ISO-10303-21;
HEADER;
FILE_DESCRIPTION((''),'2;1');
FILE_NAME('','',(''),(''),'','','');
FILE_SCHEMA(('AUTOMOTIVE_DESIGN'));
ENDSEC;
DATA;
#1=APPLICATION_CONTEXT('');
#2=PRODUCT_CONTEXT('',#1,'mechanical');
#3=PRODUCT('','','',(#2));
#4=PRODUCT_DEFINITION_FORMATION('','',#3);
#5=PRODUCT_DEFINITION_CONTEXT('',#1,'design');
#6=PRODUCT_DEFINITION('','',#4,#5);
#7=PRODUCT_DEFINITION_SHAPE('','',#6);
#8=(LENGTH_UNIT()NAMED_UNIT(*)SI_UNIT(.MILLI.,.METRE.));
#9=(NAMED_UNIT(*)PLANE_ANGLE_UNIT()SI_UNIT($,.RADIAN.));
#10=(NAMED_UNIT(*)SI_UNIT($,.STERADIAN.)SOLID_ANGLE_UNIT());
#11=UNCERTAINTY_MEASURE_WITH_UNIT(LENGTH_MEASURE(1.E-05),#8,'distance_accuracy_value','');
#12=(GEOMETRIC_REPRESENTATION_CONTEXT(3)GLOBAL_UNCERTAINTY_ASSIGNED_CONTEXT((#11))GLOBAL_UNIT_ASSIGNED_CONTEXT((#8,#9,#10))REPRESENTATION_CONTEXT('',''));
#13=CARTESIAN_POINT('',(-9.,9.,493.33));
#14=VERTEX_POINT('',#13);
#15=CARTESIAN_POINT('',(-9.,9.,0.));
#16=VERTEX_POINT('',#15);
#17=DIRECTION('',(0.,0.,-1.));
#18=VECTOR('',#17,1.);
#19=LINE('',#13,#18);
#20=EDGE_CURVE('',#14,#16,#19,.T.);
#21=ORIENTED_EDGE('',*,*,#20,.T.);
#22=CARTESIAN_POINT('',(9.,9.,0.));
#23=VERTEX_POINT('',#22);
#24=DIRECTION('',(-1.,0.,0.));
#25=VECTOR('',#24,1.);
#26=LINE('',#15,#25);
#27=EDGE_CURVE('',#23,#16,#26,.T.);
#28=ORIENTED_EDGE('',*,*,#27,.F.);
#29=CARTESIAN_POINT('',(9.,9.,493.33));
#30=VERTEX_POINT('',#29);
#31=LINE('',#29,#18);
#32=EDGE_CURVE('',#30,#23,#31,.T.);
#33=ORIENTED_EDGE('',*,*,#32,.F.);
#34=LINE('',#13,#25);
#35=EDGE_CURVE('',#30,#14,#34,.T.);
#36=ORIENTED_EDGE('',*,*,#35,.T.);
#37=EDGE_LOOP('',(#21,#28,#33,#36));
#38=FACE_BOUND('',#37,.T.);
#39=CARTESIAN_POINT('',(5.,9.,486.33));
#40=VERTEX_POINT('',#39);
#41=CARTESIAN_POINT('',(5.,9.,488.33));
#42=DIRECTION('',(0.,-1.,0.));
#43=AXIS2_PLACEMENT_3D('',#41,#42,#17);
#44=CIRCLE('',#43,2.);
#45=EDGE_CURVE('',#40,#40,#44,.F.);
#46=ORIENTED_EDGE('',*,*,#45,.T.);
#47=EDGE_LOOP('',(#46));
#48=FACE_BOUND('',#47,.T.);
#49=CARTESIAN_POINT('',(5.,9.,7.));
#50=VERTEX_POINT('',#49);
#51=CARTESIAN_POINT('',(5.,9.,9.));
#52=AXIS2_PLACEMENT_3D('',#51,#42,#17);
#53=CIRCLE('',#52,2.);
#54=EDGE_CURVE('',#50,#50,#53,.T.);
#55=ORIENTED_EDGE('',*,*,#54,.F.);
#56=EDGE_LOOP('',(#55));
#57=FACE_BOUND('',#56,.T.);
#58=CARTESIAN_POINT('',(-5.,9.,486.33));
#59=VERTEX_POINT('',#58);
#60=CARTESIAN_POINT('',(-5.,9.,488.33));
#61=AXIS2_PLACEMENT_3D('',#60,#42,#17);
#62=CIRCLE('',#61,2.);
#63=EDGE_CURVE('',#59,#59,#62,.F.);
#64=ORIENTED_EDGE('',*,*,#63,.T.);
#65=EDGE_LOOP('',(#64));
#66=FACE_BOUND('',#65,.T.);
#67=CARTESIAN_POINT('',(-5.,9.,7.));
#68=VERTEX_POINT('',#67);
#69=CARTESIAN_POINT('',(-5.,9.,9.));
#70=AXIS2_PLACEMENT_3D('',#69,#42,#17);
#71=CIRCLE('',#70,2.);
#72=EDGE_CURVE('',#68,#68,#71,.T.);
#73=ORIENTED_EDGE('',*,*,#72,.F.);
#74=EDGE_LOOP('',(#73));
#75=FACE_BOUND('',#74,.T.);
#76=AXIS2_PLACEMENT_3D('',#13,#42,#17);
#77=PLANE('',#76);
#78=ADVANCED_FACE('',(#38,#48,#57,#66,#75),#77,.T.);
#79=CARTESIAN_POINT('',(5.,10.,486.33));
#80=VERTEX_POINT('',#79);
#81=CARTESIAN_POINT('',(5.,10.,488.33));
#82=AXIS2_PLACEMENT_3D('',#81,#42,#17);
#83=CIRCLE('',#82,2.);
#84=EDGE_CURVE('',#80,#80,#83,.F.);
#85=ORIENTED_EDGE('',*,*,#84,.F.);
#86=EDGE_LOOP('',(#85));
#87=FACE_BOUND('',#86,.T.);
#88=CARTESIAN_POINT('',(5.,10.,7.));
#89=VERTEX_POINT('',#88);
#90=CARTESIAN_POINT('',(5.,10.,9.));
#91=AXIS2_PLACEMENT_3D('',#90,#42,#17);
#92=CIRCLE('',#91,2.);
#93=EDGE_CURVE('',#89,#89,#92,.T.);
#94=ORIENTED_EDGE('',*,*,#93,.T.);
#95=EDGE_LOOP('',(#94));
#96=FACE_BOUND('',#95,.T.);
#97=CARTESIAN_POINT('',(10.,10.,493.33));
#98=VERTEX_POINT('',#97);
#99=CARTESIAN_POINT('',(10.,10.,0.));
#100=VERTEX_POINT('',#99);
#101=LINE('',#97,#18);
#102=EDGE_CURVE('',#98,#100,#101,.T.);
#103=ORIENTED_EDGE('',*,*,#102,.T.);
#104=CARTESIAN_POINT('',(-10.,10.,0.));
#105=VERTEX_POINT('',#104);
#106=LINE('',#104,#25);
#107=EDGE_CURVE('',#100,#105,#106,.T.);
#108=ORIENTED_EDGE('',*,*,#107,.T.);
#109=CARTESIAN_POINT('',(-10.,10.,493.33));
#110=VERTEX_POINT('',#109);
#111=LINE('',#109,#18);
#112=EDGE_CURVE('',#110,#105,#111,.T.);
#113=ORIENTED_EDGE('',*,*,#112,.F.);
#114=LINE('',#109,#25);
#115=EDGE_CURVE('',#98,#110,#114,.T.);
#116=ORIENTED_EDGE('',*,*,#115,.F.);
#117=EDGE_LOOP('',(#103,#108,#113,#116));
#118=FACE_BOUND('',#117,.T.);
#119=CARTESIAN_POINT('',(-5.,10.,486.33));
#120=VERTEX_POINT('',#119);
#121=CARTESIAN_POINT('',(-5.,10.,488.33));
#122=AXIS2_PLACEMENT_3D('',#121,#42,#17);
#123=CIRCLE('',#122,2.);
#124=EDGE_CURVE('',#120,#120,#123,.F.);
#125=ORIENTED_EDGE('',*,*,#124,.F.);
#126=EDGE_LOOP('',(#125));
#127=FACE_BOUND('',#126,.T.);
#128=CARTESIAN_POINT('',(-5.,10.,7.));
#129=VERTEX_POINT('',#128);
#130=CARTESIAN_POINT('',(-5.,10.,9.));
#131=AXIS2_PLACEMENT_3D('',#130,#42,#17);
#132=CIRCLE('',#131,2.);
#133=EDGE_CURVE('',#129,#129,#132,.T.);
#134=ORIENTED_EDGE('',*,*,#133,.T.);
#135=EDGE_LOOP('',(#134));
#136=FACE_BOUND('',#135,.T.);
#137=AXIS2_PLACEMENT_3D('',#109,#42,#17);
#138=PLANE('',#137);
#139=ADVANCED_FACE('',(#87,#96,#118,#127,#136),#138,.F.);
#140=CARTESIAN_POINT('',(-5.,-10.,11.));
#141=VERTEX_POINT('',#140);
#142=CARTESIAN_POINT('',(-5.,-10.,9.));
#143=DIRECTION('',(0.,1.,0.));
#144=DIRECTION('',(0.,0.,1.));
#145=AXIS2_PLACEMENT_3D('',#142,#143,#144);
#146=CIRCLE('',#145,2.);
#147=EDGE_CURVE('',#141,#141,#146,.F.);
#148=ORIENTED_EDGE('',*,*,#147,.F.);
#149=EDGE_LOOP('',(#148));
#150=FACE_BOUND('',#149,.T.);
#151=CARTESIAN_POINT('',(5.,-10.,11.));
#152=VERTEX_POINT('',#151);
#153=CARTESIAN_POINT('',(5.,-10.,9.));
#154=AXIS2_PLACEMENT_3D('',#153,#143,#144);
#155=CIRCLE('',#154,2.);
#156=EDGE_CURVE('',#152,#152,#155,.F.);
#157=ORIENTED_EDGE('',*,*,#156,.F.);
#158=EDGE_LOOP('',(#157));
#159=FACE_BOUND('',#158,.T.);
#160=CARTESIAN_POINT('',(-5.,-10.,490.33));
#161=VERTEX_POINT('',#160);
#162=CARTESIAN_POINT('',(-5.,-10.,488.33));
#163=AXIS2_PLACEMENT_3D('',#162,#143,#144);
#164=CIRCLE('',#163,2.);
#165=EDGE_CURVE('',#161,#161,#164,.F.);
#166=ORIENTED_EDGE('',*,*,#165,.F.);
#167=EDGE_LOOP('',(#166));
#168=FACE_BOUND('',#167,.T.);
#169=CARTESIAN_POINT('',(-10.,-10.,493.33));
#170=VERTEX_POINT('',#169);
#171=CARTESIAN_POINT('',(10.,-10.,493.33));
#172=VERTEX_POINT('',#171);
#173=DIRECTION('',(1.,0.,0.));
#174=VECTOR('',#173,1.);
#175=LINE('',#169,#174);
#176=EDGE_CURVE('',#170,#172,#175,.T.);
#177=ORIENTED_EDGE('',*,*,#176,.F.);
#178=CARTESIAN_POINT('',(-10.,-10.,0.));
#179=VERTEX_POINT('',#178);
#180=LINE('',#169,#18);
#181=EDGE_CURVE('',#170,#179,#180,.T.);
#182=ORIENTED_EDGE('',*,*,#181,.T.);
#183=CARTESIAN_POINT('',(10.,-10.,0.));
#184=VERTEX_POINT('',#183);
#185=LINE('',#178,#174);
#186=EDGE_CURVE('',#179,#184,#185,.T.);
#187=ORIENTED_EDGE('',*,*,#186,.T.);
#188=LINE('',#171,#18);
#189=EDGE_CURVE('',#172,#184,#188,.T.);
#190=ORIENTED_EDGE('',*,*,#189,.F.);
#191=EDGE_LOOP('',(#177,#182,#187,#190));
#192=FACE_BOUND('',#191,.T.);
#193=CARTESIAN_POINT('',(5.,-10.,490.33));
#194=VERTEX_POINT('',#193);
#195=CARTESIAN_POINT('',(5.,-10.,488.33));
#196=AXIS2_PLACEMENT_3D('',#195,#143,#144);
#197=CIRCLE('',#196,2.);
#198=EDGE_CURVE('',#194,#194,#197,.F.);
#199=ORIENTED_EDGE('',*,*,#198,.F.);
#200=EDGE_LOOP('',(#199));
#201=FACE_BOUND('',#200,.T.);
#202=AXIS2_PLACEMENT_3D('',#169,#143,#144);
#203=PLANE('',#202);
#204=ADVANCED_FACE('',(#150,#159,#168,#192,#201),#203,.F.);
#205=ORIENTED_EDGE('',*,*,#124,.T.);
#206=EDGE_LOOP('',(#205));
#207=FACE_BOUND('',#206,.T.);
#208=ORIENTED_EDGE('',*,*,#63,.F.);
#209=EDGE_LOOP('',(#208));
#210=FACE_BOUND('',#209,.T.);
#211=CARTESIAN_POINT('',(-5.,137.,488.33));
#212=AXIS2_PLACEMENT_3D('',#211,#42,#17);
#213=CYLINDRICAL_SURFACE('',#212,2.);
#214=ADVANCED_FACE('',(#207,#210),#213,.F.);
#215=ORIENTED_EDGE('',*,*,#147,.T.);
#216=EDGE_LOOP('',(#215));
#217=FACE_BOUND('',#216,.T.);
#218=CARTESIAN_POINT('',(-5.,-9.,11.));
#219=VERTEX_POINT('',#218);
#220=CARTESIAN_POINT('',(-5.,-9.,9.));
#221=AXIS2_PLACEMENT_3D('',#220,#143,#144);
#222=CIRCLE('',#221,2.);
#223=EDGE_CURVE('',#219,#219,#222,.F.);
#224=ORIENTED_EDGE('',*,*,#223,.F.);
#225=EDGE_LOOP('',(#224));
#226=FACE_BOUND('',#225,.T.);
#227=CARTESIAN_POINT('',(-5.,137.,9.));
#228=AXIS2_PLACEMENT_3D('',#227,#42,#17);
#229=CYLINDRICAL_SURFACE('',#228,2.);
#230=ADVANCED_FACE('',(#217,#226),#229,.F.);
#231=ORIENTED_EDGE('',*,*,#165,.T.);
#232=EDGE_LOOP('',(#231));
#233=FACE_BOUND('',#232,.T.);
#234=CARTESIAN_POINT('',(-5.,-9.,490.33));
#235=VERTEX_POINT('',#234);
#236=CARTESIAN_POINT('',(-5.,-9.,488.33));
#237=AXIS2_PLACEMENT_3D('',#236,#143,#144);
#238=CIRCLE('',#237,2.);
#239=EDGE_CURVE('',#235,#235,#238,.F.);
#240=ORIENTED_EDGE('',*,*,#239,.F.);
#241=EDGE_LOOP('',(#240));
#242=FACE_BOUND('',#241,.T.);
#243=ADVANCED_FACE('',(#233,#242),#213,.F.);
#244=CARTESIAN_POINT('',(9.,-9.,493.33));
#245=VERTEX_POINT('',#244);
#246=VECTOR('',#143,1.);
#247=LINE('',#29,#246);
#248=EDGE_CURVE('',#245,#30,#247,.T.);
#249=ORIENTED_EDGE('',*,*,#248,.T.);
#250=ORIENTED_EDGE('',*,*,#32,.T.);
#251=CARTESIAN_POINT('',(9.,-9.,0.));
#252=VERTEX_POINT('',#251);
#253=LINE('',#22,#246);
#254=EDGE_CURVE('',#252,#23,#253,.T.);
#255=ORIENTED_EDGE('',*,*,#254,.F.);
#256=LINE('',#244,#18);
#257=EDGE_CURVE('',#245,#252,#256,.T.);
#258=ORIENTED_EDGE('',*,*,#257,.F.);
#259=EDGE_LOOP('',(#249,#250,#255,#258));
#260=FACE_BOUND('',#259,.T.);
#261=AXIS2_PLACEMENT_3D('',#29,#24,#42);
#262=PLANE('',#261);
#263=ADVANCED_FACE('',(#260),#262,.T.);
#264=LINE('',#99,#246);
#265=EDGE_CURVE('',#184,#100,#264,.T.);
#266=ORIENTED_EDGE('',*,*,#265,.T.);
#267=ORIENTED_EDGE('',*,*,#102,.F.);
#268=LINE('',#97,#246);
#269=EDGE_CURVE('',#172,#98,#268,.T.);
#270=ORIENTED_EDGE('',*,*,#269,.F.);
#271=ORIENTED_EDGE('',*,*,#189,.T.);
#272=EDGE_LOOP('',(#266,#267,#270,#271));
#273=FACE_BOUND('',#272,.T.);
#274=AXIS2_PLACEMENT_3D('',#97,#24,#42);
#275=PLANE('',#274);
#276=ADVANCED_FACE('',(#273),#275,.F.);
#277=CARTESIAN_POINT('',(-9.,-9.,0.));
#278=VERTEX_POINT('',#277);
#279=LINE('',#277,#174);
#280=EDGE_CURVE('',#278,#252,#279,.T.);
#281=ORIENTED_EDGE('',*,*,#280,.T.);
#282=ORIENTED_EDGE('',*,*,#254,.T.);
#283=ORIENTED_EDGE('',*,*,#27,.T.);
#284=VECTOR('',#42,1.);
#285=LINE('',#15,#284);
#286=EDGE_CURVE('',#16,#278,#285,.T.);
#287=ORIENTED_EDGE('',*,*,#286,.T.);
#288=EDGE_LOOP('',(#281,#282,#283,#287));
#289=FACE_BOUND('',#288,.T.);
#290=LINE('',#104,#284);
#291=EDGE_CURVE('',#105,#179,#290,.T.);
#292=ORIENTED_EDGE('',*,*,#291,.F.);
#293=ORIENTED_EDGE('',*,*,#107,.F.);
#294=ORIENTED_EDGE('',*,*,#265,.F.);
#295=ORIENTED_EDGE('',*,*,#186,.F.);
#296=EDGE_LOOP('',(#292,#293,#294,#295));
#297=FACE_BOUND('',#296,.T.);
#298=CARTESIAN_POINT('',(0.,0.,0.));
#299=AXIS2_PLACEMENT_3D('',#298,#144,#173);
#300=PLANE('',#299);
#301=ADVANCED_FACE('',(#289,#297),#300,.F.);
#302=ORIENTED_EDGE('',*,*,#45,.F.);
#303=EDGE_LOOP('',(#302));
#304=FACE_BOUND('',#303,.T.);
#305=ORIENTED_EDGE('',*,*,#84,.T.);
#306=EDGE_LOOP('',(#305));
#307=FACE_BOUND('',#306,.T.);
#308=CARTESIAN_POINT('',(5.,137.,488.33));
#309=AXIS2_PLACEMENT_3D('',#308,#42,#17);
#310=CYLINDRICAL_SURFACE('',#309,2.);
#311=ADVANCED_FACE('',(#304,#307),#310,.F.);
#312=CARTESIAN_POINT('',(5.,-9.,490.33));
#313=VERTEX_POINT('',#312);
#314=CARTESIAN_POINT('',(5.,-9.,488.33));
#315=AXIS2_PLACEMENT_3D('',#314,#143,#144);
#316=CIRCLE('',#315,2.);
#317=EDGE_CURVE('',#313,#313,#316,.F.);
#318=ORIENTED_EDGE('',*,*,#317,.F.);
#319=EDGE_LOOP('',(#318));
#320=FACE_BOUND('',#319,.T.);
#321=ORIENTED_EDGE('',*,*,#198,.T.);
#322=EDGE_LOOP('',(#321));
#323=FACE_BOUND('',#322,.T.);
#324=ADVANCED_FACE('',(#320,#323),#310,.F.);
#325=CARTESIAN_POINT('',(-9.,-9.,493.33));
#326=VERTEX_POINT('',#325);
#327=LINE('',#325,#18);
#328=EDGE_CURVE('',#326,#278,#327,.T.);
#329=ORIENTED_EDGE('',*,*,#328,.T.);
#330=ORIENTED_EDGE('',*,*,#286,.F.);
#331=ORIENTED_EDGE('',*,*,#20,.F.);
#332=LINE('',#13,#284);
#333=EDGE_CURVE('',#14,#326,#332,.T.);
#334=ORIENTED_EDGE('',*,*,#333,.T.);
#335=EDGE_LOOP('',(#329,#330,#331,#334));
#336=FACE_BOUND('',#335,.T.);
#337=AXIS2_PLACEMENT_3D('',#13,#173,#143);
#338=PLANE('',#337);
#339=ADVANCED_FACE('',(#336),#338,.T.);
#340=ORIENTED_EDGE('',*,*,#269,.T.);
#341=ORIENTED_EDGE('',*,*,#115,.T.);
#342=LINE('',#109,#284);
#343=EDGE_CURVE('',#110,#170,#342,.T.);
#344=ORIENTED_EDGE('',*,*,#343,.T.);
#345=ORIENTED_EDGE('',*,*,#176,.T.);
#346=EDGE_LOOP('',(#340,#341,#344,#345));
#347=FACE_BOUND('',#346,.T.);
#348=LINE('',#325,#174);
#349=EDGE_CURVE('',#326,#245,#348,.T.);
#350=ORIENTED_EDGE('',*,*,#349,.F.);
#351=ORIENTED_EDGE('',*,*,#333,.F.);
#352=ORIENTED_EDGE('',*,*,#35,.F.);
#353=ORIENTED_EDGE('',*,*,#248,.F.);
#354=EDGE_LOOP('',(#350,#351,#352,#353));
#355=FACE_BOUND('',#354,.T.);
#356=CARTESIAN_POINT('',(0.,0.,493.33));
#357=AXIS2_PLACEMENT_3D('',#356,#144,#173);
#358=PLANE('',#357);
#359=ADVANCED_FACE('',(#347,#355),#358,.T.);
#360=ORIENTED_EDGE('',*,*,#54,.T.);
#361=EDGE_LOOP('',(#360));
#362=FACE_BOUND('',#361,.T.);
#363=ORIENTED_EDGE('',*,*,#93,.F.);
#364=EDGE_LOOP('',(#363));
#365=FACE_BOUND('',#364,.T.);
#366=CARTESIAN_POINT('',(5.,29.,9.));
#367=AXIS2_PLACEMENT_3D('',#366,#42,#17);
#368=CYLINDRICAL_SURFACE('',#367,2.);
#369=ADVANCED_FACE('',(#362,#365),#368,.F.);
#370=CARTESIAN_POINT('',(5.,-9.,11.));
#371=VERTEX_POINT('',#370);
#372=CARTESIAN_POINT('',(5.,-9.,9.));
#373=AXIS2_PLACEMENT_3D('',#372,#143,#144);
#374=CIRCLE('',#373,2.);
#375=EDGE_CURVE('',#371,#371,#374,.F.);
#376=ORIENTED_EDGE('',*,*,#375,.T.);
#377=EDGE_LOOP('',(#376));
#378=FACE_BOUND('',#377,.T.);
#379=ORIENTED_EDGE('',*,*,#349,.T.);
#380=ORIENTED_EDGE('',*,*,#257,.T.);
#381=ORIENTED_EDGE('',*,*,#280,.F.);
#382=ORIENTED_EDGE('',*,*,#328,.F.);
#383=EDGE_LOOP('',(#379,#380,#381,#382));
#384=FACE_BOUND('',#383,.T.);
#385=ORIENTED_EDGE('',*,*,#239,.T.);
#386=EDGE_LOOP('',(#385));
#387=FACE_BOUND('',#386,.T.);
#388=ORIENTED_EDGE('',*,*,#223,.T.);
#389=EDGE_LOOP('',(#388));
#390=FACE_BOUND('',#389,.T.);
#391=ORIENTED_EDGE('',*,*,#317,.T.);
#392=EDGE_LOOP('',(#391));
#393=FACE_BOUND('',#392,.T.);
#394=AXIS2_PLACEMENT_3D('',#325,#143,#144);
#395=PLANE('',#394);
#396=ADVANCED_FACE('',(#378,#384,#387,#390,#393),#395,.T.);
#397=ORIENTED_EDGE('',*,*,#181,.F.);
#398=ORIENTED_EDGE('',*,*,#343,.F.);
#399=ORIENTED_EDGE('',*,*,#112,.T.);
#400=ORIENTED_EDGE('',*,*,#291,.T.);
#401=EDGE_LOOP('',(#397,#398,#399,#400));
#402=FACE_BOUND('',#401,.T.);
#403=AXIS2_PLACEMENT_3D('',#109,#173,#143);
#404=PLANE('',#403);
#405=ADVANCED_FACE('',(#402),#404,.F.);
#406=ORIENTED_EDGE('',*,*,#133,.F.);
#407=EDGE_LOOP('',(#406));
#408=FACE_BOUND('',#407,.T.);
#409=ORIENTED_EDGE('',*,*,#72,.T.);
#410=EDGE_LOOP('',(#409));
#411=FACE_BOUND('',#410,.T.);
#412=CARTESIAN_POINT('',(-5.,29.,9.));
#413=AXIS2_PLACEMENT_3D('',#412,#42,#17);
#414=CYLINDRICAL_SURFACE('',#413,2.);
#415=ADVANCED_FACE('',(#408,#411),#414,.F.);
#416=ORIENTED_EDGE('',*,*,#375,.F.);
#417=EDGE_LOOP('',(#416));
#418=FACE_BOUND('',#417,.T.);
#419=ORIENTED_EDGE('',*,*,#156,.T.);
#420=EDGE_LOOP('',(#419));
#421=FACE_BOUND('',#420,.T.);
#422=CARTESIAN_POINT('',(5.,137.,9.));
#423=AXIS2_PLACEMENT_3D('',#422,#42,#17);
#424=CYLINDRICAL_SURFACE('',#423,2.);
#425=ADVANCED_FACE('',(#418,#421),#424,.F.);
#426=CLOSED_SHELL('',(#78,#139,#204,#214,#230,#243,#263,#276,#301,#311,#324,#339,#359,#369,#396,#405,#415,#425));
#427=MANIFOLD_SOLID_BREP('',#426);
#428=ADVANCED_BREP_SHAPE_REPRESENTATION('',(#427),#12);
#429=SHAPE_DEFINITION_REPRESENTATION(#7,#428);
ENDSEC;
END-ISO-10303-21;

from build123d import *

# Parameters (mm, degrees)
SKETCH_1_W                = 20
SKETCH_1_H                = 20
SKETCH_1_W_2              = 18
SKETCH_1_H_2              = 18
EXTRUDE_1_DEPTH           = 493.33
SKETCH_5_R                = 2
CUT_EXTRUDE_12_DEPTH      = 20
CUT_EXTRUDE_13_DEPTH      = 146
CUT_EXTRUDE_13_DEPTH_BACK = 84
SKETCH_6_R                = 2


with BuildPart() as part:
    # 草图1 → 凸台-拉伸1 (new body)
    with BuildSketch(Plane.XY):
        Rectangle(SKETCH_1_W, SKETCH_1_H)
        Rectangle(SKETCH_1_W_2, SKETCH_1_H_2, mode=Mode.SUBTRACT)
    extrude(amount=EXTRUDE_1_DEPTH)

    # 草图5 → 切除-拉伸12 (cut)
    with BuildSketch(Plane.XZ.offset(-9)):
        with Locations((-5, 9)):
            Circle(SKETCH_5_R)
        with Locations((5, 9)):
            Circle(SKETCH_5_R)
    extrude(amount=-CUT_EXTRUDE_12_DEPTH, mode=Mode.SUBTRACT)

    # 草图6 → 切除-拉伸13 (cut, two sides: drawn at the far end of the back side and taken through both)
    with BuildSketch(Plane(origin=(0, -9, 0), x_dir=(1, 0, 0), z_dir=(0, 1, 0)).offset(-CUT_EXTRUDE_13_DEPTH_BACK)):
        with Locations((5, -9)):
            Circle(SKETCH_6_R)
        with Locations((-5, -9)):
            Circle(SKETCH_6_R)
        with Locations((293.56, -9)):
            Circle(SKETCH_6_R)
        with Locations((303.56, -9)):
            Circle(SKETCH_6_R)
        with Locations((15.394157217, -488.33)):
            Circle(SKETCH_6_R)
        with Locations((15.394157217, -478.33)):
            Circle(SKETCH_6_R)
        with Locations((-5, -488.33)):
            Circle(SKETCH_6_R)
        with Locations((5, -488.33)):
            Circle(SKETCH_6_R)
        with Locations((303.56, -488.33)):
            Circle(SKETCH_6_R)
        with Locations((293.56, -488.33)):
            Circle(SKETCH_6_R)
        with Locations((283.56, -488.33)):
            Circle(SKETCH_6_R)
        with Locations((283.56, -478.33)):
            Circle(SKETCH_6_R)
    extrude(amount=CUT_EXTRUDE_13_DEPTH + CUT_EXTRUDE_13_DEPTH_BACK, mode=Mode.SUBTRACT)


solid = part.part
